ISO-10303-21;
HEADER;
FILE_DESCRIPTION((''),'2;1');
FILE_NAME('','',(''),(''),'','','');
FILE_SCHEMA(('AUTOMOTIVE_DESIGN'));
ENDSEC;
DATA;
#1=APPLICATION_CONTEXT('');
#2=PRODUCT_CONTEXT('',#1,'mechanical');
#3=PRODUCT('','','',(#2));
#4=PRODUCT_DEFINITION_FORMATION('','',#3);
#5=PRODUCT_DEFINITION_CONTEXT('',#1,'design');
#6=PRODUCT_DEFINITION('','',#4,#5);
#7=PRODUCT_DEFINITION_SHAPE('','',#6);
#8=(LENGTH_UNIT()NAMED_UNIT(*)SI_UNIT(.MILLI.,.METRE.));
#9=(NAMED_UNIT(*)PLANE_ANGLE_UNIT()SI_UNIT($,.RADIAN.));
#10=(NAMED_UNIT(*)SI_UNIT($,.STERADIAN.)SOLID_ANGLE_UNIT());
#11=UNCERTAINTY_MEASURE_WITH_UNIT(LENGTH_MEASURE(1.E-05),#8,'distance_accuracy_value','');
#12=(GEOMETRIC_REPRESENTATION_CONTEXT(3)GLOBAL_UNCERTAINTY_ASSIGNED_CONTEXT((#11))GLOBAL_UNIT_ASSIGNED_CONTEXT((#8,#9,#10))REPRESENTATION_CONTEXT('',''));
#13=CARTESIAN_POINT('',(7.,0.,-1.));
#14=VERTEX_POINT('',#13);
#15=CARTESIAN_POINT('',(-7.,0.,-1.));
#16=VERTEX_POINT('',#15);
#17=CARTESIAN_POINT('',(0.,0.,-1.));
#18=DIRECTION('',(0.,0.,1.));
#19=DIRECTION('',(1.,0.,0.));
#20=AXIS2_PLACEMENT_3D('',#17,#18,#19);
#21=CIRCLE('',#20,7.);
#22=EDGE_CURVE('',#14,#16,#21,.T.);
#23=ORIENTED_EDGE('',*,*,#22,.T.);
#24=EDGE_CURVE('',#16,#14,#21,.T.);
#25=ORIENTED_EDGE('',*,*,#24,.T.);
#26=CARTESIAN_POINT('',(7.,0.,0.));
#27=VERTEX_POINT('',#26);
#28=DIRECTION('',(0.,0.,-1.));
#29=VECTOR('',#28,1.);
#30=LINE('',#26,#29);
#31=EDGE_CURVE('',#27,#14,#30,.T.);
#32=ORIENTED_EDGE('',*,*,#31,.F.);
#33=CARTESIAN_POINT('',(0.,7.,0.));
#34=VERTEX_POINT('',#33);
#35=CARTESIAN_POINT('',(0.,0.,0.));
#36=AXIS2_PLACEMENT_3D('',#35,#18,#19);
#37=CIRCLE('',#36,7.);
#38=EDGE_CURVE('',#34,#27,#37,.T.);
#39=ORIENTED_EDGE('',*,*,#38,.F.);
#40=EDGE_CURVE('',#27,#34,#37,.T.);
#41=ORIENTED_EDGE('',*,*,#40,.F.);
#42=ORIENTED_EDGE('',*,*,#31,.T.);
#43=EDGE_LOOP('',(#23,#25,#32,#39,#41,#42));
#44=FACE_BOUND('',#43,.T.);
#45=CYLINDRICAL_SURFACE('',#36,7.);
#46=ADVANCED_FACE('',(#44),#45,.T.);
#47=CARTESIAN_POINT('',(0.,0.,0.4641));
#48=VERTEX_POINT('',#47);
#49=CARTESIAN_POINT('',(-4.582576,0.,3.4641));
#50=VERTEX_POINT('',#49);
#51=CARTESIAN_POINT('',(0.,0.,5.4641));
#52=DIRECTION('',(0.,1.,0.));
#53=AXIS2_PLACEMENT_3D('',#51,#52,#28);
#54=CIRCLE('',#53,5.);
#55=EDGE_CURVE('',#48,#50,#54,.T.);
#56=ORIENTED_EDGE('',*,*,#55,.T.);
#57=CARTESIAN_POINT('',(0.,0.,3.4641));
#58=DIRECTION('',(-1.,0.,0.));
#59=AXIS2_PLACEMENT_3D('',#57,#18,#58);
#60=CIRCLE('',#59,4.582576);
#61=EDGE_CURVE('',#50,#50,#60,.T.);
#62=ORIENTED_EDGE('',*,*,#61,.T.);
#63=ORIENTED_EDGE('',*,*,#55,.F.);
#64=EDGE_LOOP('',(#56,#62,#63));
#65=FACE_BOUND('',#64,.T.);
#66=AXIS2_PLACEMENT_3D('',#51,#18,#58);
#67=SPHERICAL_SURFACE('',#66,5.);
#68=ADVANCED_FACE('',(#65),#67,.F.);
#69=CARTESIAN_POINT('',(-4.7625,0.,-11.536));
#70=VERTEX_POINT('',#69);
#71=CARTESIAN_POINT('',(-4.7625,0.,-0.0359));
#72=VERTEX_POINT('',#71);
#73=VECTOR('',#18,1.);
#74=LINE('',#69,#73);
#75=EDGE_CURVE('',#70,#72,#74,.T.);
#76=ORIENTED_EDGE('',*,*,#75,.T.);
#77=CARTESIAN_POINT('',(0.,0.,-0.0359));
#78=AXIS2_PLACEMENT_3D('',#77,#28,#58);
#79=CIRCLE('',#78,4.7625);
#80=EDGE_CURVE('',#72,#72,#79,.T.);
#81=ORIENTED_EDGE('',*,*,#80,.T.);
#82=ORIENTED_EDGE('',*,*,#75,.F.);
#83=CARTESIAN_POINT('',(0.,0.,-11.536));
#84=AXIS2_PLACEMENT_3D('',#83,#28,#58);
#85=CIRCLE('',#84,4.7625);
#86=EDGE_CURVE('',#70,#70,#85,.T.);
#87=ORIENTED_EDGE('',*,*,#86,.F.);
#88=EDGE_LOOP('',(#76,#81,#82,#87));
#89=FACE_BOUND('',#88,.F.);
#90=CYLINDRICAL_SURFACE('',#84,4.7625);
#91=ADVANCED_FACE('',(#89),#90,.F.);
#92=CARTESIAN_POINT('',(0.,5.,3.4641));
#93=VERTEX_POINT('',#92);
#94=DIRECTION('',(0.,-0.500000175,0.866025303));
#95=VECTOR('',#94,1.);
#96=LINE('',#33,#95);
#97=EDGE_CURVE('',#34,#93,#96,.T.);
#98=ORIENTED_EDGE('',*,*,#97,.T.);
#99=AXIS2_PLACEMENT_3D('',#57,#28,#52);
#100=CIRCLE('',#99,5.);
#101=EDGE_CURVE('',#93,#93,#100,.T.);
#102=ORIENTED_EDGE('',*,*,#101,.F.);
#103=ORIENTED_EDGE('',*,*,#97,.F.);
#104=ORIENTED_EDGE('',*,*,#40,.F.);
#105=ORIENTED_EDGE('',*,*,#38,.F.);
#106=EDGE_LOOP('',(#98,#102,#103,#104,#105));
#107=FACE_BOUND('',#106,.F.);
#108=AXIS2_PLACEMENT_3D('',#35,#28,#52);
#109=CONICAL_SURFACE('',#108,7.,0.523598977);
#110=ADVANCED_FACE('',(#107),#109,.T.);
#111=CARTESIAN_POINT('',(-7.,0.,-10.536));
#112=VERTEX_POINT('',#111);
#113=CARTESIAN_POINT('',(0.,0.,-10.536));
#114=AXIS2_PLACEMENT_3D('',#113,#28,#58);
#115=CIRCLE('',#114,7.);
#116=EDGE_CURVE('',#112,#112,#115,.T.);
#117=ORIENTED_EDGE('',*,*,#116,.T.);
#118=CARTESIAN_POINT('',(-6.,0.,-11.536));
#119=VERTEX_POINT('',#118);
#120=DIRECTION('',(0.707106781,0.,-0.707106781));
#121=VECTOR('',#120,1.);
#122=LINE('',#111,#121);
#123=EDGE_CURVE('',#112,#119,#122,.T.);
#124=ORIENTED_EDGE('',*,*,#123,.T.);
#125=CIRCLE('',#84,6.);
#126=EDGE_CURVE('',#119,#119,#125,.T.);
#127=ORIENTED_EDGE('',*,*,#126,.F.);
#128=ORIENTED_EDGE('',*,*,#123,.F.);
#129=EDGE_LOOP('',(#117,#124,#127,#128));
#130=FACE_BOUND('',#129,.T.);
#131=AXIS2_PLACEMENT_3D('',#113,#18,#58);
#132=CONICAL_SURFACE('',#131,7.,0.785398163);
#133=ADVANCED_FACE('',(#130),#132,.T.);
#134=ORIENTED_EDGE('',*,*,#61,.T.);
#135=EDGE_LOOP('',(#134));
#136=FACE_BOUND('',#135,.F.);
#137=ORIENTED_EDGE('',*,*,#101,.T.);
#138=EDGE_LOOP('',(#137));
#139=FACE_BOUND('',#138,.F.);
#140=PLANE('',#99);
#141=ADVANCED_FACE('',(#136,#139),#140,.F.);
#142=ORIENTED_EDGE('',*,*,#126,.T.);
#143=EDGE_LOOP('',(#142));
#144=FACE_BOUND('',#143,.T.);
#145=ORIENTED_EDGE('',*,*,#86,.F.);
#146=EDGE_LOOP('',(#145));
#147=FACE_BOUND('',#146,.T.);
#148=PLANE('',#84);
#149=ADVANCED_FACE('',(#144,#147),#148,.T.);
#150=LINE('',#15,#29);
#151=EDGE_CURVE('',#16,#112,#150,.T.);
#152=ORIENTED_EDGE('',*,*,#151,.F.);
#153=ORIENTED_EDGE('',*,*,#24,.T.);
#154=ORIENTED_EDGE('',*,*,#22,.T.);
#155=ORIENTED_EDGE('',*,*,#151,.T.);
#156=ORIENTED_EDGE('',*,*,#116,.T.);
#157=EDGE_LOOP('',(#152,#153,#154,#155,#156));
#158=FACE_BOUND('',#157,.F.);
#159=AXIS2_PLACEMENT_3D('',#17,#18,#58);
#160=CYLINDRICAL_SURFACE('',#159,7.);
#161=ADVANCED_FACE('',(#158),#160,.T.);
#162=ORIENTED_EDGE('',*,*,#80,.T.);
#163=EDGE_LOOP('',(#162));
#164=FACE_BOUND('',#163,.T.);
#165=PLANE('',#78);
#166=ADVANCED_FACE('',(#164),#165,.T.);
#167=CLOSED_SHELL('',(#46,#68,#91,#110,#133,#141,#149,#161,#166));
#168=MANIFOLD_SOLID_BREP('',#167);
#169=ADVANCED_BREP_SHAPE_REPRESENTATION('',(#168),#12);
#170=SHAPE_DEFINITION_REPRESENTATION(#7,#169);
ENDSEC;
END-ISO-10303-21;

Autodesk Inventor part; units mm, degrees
ref_plane "YZ Plane" through (0, 0, 0) normal (1, 0, 0) x (0, 1, 0)
ref_plane "XZ Plane" through (0, 0, 0) normal (0, 1, 0) x (-1, 0, 0)
ref_plane "XY Plane" through (0, 0, 0) normal (0, 0, 1) x (1, 0, 0)
sketch "RingSketch" plane through (0, 0, 0) normal (0, 0, 1) x (1, 0, 0)
  circle A0 centre (0, 0) radius 7
  dimension "RingDia" = 14
extrude "Ring" add sketch "RingSketch" against normal blind 1
sketch "ShankSketch" plane through (0, 0, -1) normal (0, 0, -1) x (-1, 0, 0)
  circle A0 centre (0, 0) radius 7
  dimension "ShankDia" = 14
extrude "Shank" add sketch "ShankSketch" along normal blind 10.536
sketch "ConeSketch" plane through (0, 0, 0) normal (1, 0, 0) x (0, 1, 0)
  line L0 (0, 0) -> (7, 0)
  line L1 (7, 0) -> (5, 3.4641)
  line L2 (5, 3.4641) -> (0, 3.4641)
  line L3 (0, 3.4641) -> (0, 0)
  line L4 (-7, 0) -> (7, 0) projected
  dimension "ConeAngle" = 60
  dimension "ConeBase" = 7
  dimension "ConeTipDia" = 5
revolve "Cone" add sketch "ConeSketch" angle 360 about axis through (0, 0, 3.4641) along (0, 0, -1)
sketch "SocketSketch" plane through (0, 0, 0) normal (0, 1, 0) x (-1, 0, 0)
  arc A0 (0, 0.4641) -> (0, 10.4641) centre (0, 5.4641) ccw
  line L0 (0, 10.4641) -> (0, 0.4641)
  line L1 (-5, 3.4641) -> (5, 3.4641) projected
  line L2 (5, 3.4641) -> (7, 0) projected
  point P0 (0, 0)
  dimension "RecessDia" = 10
  dimension "BallOffset" = 2
revolve "Socket" cut sketch "SocketSketch" angle 360 about axis through (0, 0, 10.4641) along (0, 0, -1)
sketch "MagnetHoleSketch" plane through (0, 0, -11.536) normal (0, 0, -1) x (-1, 0, 0)
  circle A0 centre (0, 0) radius 4.7625
  dimension "MagnetHoleDia" = 9.525
extrude "MagnetHole" cut sketch "MagnetHoleSketch" against normal blind 11.5001
sketch "PartLength" plane through (0, 0, 0) normal (0, 1, 0) x (-1, 0, 0)
  line L0 (-5, 3.4641) -> (5, 3.4641) projected
  line L1 (-7, -11.536) -> (7, -11.536) projected
  point P0 (0, 0)
  dimension "PartLen" = 15.0001
chamfer "Chamfer1" distance 1 angle 45 1 edges at (7, 0, -11.536)
equation "\"ShankDia\" = RingDia"
equation "\"ConeBase\" = 0.5 * RingDia"
equation "\"ConeTipDia\" = 0.5 * BallDia"
equation "\"RecessDia\" = BallDia"
equation "\"BallDia\" = 10"
properties part number "Rod End 9.5mm"
